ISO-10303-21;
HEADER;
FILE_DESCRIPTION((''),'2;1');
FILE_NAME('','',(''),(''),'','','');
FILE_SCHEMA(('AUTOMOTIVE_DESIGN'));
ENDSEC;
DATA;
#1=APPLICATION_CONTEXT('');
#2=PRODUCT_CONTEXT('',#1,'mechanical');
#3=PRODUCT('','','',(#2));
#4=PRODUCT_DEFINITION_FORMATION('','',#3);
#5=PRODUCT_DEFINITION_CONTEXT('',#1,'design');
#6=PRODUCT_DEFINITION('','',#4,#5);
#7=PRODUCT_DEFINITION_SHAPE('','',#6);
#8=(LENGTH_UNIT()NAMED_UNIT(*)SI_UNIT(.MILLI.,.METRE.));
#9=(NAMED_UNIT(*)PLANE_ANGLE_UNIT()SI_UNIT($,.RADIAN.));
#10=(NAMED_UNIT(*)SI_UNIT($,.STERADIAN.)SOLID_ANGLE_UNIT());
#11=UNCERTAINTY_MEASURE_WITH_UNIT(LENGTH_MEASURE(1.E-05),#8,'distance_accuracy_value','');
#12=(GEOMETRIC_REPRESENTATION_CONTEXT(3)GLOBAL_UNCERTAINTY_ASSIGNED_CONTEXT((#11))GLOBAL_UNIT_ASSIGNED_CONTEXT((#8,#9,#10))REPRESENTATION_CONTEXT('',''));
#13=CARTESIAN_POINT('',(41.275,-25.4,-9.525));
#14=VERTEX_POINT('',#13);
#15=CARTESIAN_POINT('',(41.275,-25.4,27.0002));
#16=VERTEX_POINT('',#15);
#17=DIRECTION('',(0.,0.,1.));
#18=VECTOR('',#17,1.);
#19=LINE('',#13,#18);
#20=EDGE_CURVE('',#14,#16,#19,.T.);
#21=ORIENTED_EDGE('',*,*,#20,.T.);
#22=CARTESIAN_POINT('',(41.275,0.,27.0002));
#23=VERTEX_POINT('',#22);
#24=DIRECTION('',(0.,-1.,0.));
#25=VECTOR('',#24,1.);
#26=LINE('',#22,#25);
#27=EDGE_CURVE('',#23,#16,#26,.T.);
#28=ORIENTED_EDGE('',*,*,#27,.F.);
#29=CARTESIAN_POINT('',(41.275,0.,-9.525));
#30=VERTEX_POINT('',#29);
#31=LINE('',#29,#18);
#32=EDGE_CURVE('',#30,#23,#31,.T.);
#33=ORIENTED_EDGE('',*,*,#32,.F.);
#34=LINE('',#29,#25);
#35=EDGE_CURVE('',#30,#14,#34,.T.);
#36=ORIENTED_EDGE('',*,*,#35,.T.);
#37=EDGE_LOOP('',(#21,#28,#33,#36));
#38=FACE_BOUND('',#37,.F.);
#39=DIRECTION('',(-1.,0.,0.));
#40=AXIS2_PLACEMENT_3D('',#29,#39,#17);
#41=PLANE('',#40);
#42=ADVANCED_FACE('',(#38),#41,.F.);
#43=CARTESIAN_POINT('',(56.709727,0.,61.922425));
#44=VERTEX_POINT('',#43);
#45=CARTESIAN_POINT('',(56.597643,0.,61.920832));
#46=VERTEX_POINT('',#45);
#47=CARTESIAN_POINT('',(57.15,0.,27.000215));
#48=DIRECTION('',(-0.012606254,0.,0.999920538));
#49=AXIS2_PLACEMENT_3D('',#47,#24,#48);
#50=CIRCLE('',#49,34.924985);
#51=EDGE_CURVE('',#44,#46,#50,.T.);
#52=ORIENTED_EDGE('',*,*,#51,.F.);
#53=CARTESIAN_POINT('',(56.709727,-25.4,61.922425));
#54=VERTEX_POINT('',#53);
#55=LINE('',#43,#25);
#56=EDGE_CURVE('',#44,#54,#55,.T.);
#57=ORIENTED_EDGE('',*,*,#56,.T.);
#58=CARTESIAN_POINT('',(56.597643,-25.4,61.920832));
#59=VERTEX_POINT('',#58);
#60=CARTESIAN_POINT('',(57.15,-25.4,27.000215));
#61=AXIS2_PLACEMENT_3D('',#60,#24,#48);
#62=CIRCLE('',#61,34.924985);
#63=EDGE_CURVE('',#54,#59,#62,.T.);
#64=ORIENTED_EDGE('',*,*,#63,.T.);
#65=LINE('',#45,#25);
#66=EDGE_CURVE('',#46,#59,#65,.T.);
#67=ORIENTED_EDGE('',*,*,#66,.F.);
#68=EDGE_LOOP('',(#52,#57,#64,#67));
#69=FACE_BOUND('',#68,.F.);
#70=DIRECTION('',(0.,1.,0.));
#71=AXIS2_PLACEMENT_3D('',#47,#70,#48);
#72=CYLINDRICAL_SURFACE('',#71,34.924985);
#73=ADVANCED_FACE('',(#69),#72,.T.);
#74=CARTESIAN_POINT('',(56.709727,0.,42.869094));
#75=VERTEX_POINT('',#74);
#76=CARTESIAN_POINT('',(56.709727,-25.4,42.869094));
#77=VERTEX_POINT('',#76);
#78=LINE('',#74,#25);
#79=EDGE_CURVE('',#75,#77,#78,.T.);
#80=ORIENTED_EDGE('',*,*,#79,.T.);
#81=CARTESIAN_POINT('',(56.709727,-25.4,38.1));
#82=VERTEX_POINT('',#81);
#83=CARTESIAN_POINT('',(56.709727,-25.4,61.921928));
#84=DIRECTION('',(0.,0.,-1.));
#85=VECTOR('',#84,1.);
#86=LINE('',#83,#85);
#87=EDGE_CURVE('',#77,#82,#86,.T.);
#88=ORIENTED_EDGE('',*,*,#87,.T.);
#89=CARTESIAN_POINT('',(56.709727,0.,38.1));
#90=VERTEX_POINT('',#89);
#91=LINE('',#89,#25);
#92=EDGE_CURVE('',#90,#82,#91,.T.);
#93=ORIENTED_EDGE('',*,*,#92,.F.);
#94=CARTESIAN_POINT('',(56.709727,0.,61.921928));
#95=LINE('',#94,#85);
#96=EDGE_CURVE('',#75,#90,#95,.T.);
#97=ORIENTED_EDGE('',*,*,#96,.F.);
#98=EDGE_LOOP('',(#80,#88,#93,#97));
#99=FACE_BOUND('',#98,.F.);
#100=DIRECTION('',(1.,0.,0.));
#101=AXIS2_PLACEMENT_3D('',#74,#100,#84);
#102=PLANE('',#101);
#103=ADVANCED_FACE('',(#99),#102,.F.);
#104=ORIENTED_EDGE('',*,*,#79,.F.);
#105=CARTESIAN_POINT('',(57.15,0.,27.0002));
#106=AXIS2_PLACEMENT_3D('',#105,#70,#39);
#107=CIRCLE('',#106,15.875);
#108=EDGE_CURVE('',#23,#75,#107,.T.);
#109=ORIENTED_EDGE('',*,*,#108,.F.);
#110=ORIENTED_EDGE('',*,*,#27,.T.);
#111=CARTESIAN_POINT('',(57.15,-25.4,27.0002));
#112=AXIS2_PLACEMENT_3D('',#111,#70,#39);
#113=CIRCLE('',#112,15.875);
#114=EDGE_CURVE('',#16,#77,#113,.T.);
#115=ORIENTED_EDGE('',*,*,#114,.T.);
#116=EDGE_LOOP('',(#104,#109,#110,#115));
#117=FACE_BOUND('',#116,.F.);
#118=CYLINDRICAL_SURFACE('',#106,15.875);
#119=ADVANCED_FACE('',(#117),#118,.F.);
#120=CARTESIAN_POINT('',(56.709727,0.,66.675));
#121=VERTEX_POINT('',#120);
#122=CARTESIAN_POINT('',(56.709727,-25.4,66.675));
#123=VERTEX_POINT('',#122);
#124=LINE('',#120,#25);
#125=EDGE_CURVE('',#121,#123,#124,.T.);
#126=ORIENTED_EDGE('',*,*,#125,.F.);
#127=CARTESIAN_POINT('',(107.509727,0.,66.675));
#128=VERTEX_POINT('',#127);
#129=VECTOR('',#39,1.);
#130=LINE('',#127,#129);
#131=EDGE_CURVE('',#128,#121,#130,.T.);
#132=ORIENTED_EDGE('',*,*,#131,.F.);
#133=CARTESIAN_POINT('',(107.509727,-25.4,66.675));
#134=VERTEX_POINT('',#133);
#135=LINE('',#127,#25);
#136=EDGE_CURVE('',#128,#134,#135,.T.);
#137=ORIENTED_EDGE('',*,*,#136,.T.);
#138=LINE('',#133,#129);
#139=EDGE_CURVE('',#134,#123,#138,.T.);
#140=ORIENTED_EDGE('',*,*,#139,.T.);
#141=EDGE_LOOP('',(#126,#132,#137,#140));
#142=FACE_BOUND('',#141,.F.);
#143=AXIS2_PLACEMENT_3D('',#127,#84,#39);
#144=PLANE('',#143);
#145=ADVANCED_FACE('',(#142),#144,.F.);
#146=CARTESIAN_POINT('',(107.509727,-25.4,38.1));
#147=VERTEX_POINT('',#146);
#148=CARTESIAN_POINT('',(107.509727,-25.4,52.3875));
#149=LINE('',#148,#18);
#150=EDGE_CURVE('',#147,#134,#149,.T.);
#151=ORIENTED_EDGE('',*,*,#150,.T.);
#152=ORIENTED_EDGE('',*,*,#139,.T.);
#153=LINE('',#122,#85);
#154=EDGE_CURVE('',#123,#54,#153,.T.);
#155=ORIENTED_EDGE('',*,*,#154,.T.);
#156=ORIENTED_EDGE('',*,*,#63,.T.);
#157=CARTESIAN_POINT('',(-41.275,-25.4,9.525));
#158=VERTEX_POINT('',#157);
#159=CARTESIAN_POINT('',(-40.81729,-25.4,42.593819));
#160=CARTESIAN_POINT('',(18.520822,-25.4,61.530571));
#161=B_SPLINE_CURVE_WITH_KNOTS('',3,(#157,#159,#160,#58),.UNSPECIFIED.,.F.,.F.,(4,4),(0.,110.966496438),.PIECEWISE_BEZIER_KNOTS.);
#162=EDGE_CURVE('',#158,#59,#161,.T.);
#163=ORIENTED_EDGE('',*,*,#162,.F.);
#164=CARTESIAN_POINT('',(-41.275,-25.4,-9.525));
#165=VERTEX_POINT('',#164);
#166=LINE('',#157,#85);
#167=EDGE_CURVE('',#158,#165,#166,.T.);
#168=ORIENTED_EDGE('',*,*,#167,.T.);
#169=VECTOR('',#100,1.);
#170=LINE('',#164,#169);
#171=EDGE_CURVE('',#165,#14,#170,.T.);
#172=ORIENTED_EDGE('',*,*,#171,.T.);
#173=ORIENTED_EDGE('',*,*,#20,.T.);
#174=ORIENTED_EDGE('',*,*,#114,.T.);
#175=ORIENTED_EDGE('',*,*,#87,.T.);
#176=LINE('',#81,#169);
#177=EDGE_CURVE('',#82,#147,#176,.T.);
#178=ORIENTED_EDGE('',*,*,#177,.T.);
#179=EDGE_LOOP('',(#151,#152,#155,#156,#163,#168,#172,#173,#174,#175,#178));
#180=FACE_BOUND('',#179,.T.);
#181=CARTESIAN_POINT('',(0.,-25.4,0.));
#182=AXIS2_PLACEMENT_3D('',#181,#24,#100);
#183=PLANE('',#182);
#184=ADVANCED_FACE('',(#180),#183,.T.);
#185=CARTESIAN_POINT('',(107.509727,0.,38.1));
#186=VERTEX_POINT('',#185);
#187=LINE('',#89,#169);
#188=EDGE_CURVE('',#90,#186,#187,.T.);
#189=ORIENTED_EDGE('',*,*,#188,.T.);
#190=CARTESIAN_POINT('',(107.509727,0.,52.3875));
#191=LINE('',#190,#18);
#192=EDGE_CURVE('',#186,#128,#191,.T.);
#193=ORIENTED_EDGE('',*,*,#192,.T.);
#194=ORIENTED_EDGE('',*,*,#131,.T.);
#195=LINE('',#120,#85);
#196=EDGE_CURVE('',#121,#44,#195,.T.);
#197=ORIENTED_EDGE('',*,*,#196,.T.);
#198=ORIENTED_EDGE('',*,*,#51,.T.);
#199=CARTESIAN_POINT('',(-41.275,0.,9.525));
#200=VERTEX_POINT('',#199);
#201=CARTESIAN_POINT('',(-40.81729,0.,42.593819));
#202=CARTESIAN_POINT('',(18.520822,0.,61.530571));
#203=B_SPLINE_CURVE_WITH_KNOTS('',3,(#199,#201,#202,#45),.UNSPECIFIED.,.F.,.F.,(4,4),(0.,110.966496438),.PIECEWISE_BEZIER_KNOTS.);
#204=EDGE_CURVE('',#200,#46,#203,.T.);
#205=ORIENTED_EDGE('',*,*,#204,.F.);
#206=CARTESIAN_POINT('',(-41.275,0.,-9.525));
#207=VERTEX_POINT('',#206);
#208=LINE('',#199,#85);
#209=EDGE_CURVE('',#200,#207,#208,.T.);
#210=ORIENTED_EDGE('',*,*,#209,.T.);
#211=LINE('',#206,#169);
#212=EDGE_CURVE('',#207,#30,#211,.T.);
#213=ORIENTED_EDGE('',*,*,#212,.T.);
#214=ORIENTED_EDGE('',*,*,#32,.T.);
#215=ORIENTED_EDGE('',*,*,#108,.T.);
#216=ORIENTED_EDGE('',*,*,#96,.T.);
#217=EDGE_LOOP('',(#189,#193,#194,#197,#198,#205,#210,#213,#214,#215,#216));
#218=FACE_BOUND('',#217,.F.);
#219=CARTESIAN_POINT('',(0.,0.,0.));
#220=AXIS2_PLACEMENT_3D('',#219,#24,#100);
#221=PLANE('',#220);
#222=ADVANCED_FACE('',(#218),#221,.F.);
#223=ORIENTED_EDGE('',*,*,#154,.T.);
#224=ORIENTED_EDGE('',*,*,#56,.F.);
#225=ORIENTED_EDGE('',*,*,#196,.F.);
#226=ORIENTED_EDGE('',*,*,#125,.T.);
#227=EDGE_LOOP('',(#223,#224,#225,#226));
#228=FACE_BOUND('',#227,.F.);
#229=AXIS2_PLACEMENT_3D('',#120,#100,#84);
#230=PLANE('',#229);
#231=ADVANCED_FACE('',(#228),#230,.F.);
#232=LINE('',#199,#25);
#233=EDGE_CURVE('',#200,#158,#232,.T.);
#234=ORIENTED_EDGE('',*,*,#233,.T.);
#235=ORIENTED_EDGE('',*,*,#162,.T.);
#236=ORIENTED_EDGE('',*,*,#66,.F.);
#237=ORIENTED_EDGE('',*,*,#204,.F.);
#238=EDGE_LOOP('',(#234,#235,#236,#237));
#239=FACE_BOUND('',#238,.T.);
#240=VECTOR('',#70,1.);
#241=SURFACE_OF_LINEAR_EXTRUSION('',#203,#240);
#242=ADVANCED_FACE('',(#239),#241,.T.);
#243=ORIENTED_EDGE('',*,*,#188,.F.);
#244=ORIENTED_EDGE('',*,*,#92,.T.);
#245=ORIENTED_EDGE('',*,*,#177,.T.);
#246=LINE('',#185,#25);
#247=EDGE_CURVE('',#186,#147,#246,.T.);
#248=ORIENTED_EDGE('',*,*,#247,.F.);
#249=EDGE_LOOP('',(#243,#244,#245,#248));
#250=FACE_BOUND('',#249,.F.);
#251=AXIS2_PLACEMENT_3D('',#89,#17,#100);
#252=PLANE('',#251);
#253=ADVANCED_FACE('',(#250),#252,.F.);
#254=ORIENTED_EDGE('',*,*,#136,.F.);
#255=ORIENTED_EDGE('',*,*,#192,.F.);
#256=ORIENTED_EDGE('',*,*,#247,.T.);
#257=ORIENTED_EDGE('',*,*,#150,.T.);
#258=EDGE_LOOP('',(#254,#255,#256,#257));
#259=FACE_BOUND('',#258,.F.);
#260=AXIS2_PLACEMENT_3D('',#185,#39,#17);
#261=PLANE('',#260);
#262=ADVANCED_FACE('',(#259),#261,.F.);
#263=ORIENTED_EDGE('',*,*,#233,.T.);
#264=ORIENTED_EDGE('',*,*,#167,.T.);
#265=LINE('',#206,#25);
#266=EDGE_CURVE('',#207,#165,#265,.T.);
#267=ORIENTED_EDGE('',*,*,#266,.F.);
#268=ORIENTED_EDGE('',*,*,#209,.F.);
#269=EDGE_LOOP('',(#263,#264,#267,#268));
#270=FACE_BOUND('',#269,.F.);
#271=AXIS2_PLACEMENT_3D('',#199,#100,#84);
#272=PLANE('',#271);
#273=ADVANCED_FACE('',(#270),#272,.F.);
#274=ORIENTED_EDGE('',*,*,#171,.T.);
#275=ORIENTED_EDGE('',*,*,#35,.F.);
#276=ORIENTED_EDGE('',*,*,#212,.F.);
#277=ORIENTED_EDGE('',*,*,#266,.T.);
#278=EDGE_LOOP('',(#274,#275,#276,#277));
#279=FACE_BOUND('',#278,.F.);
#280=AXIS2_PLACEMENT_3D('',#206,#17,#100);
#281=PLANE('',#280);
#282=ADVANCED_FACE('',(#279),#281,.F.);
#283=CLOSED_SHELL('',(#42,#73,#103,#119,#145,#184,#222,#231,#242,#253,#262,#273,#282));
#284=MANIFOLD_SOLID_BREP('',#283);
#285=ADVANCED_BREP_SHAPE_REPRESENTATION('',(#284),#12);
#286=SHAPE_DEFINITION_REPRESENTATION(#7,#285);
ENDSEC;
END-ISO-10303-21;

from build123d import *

# Parameters (mm, degrees)
F0_W     = 25.4
F0_H     = 28.575
F1_DEPTH = 25.4


with BuildPart() as f1:
    # F0 (on Front) → F1 (new body)
    with BuildSketch(Plane.XZ):
        Polygon((41.275, -9.525), (41.275, 9.525), (22.225, 9.525), (-41.275, 9.525), (-41.275, -9.525), align=None)
        with BuildLine():
            Line((22.225, 9.525), (41.275, 9.525))
            Line((41.275, 9.525), (41.275, 27.0002))
            ThreePointArc((41.275, 27.0002), (45.7700842218, 38.0687654844), (56.7097265362, 42.869093606))
            Line((56.7097265362, 42.869093606), (56.7097265362, 61.9219276004))
            add(Edge.make_bspline(
                [(56.5976430534, 61.9208318214), (56.6350247317, 61.9212149579), (56.6723859179, 61.921580219), (56.7097265362, 61.9219276004)],
                knots=[110.9664964384, 110.9664964384, 110.9664964384, 110.9664964384, 111.075437095, 111.075437095, 111.075437095, 111.075437095], degree=3))
            ThreePointArc((56.5976430534, 61.9208318214), (32.2597740934, 51.4998383508), (22.225, 27.0002))
            Line((22.225, 27.0002), (22.225, 9.525))
        make_face()
        with BuildLine():
            Line((-41.275, 9.525), (22.225, 9.525))
            Line((22.225, 9.525), (22.225, 27.0002))
            ThreePointArc((22.225, 27.0002), (32.2597740934, 51.4998383508), (56.5976430534, 61.9208318214))
            add(Edge.make_bspline(
                [(-41.275, 9.525), (-40.8172895576, 42.5938186475), (18.5208221845, 61.5305705249), (56.5976430534, 61.9208318214)],
                knots=[0, 0, 0, 0, 110.9664964384, 110.9664964384, 110.9664964384, 110.9664964384], degree=3))
        make_face()
        with BuildLine():
            Line((56.7097265362, 61.9219276004), (56.7097265362, 42.869093606))
            Line((56.7097265362, 42.869093606), (56.7097265362, 38.1))
            Line((56.7097265362, 38.1), (82.1097265362, 38.1))
            Line((82.1097265362, 38.1), (82.1097265362, 66.675))
            Line((82.1097265362, 66.675), (56.7097265362, 66.675))
            Line((56.7097265362, 66.675), (56.7097265362, 61.9224247899))
            ThreePointArc((56.7097265362, 61.9224247899), (56.9298588949, 61.9245061906), (57.15, 61.9252))
            add(Edge.make_bspline(
                [(56.7097265362, 61.9219276004), (56.856805001, 61.9232958778), (57.0035643669, 61.9243867627), (57.15, 61.9252)],
                knots=[111.075437095, 111.075437095, 111.075437095, 111.075437095, 111.5045361635, 111.5045361635, 111.5045361635, 111.5045361635], degree=3))
        make_face()
        with BuildLine():
            ThreePointArc((56.7097265362, 61.9224247899), (56.6536841557, 61.9216732734), (56.5976430534, 61.9208318214))
            add(Edge.make_bspline(
                [(56.5976430534, 61.9208318214), (56.6350247317, 61.9212149579), (56.6723859179, 61.921580219), (56.7097265362, 61.9219276004)],
                knots=[110.9664964384, 110.9664964384, 110.9664964384, 110.9664964384, 111.075437095, 111.075437095, 111.075437095, 111.075437095], degree=3))
            Line((56.7097265362, 61.9219276004), (56.7097265362, 61.9224247899))
        make_face()
        with BuildLine():
            Line((56.7097265362, 61.9224247899), (56.7097265362, 61.9219276004))
            add(Edge.make_bspline(
                [(56.7097265362, 61.9219276004), (56.856805001, 61.9232958778), (57.0035643669, 61.9243867627), (57.15, 61.9252)],
                knots=[111.075437095, 111.075437095, 111.075437095, 111.075437095, 111.5045361635, 111.5045361635, 111.5045361635, 111.5045361635], degree=3))
            ThreePointArc((57.15, 61.9252), (56.9298588949, 61.9245061906), (56.7097265362, 61.9224247899))
        make_face()
        with Locations((94.8097265362, 52.3875)):
            Rectangle(F0_W, F0_H)
    extrude(amount=F1_DEPTH)


solid = f1.part
